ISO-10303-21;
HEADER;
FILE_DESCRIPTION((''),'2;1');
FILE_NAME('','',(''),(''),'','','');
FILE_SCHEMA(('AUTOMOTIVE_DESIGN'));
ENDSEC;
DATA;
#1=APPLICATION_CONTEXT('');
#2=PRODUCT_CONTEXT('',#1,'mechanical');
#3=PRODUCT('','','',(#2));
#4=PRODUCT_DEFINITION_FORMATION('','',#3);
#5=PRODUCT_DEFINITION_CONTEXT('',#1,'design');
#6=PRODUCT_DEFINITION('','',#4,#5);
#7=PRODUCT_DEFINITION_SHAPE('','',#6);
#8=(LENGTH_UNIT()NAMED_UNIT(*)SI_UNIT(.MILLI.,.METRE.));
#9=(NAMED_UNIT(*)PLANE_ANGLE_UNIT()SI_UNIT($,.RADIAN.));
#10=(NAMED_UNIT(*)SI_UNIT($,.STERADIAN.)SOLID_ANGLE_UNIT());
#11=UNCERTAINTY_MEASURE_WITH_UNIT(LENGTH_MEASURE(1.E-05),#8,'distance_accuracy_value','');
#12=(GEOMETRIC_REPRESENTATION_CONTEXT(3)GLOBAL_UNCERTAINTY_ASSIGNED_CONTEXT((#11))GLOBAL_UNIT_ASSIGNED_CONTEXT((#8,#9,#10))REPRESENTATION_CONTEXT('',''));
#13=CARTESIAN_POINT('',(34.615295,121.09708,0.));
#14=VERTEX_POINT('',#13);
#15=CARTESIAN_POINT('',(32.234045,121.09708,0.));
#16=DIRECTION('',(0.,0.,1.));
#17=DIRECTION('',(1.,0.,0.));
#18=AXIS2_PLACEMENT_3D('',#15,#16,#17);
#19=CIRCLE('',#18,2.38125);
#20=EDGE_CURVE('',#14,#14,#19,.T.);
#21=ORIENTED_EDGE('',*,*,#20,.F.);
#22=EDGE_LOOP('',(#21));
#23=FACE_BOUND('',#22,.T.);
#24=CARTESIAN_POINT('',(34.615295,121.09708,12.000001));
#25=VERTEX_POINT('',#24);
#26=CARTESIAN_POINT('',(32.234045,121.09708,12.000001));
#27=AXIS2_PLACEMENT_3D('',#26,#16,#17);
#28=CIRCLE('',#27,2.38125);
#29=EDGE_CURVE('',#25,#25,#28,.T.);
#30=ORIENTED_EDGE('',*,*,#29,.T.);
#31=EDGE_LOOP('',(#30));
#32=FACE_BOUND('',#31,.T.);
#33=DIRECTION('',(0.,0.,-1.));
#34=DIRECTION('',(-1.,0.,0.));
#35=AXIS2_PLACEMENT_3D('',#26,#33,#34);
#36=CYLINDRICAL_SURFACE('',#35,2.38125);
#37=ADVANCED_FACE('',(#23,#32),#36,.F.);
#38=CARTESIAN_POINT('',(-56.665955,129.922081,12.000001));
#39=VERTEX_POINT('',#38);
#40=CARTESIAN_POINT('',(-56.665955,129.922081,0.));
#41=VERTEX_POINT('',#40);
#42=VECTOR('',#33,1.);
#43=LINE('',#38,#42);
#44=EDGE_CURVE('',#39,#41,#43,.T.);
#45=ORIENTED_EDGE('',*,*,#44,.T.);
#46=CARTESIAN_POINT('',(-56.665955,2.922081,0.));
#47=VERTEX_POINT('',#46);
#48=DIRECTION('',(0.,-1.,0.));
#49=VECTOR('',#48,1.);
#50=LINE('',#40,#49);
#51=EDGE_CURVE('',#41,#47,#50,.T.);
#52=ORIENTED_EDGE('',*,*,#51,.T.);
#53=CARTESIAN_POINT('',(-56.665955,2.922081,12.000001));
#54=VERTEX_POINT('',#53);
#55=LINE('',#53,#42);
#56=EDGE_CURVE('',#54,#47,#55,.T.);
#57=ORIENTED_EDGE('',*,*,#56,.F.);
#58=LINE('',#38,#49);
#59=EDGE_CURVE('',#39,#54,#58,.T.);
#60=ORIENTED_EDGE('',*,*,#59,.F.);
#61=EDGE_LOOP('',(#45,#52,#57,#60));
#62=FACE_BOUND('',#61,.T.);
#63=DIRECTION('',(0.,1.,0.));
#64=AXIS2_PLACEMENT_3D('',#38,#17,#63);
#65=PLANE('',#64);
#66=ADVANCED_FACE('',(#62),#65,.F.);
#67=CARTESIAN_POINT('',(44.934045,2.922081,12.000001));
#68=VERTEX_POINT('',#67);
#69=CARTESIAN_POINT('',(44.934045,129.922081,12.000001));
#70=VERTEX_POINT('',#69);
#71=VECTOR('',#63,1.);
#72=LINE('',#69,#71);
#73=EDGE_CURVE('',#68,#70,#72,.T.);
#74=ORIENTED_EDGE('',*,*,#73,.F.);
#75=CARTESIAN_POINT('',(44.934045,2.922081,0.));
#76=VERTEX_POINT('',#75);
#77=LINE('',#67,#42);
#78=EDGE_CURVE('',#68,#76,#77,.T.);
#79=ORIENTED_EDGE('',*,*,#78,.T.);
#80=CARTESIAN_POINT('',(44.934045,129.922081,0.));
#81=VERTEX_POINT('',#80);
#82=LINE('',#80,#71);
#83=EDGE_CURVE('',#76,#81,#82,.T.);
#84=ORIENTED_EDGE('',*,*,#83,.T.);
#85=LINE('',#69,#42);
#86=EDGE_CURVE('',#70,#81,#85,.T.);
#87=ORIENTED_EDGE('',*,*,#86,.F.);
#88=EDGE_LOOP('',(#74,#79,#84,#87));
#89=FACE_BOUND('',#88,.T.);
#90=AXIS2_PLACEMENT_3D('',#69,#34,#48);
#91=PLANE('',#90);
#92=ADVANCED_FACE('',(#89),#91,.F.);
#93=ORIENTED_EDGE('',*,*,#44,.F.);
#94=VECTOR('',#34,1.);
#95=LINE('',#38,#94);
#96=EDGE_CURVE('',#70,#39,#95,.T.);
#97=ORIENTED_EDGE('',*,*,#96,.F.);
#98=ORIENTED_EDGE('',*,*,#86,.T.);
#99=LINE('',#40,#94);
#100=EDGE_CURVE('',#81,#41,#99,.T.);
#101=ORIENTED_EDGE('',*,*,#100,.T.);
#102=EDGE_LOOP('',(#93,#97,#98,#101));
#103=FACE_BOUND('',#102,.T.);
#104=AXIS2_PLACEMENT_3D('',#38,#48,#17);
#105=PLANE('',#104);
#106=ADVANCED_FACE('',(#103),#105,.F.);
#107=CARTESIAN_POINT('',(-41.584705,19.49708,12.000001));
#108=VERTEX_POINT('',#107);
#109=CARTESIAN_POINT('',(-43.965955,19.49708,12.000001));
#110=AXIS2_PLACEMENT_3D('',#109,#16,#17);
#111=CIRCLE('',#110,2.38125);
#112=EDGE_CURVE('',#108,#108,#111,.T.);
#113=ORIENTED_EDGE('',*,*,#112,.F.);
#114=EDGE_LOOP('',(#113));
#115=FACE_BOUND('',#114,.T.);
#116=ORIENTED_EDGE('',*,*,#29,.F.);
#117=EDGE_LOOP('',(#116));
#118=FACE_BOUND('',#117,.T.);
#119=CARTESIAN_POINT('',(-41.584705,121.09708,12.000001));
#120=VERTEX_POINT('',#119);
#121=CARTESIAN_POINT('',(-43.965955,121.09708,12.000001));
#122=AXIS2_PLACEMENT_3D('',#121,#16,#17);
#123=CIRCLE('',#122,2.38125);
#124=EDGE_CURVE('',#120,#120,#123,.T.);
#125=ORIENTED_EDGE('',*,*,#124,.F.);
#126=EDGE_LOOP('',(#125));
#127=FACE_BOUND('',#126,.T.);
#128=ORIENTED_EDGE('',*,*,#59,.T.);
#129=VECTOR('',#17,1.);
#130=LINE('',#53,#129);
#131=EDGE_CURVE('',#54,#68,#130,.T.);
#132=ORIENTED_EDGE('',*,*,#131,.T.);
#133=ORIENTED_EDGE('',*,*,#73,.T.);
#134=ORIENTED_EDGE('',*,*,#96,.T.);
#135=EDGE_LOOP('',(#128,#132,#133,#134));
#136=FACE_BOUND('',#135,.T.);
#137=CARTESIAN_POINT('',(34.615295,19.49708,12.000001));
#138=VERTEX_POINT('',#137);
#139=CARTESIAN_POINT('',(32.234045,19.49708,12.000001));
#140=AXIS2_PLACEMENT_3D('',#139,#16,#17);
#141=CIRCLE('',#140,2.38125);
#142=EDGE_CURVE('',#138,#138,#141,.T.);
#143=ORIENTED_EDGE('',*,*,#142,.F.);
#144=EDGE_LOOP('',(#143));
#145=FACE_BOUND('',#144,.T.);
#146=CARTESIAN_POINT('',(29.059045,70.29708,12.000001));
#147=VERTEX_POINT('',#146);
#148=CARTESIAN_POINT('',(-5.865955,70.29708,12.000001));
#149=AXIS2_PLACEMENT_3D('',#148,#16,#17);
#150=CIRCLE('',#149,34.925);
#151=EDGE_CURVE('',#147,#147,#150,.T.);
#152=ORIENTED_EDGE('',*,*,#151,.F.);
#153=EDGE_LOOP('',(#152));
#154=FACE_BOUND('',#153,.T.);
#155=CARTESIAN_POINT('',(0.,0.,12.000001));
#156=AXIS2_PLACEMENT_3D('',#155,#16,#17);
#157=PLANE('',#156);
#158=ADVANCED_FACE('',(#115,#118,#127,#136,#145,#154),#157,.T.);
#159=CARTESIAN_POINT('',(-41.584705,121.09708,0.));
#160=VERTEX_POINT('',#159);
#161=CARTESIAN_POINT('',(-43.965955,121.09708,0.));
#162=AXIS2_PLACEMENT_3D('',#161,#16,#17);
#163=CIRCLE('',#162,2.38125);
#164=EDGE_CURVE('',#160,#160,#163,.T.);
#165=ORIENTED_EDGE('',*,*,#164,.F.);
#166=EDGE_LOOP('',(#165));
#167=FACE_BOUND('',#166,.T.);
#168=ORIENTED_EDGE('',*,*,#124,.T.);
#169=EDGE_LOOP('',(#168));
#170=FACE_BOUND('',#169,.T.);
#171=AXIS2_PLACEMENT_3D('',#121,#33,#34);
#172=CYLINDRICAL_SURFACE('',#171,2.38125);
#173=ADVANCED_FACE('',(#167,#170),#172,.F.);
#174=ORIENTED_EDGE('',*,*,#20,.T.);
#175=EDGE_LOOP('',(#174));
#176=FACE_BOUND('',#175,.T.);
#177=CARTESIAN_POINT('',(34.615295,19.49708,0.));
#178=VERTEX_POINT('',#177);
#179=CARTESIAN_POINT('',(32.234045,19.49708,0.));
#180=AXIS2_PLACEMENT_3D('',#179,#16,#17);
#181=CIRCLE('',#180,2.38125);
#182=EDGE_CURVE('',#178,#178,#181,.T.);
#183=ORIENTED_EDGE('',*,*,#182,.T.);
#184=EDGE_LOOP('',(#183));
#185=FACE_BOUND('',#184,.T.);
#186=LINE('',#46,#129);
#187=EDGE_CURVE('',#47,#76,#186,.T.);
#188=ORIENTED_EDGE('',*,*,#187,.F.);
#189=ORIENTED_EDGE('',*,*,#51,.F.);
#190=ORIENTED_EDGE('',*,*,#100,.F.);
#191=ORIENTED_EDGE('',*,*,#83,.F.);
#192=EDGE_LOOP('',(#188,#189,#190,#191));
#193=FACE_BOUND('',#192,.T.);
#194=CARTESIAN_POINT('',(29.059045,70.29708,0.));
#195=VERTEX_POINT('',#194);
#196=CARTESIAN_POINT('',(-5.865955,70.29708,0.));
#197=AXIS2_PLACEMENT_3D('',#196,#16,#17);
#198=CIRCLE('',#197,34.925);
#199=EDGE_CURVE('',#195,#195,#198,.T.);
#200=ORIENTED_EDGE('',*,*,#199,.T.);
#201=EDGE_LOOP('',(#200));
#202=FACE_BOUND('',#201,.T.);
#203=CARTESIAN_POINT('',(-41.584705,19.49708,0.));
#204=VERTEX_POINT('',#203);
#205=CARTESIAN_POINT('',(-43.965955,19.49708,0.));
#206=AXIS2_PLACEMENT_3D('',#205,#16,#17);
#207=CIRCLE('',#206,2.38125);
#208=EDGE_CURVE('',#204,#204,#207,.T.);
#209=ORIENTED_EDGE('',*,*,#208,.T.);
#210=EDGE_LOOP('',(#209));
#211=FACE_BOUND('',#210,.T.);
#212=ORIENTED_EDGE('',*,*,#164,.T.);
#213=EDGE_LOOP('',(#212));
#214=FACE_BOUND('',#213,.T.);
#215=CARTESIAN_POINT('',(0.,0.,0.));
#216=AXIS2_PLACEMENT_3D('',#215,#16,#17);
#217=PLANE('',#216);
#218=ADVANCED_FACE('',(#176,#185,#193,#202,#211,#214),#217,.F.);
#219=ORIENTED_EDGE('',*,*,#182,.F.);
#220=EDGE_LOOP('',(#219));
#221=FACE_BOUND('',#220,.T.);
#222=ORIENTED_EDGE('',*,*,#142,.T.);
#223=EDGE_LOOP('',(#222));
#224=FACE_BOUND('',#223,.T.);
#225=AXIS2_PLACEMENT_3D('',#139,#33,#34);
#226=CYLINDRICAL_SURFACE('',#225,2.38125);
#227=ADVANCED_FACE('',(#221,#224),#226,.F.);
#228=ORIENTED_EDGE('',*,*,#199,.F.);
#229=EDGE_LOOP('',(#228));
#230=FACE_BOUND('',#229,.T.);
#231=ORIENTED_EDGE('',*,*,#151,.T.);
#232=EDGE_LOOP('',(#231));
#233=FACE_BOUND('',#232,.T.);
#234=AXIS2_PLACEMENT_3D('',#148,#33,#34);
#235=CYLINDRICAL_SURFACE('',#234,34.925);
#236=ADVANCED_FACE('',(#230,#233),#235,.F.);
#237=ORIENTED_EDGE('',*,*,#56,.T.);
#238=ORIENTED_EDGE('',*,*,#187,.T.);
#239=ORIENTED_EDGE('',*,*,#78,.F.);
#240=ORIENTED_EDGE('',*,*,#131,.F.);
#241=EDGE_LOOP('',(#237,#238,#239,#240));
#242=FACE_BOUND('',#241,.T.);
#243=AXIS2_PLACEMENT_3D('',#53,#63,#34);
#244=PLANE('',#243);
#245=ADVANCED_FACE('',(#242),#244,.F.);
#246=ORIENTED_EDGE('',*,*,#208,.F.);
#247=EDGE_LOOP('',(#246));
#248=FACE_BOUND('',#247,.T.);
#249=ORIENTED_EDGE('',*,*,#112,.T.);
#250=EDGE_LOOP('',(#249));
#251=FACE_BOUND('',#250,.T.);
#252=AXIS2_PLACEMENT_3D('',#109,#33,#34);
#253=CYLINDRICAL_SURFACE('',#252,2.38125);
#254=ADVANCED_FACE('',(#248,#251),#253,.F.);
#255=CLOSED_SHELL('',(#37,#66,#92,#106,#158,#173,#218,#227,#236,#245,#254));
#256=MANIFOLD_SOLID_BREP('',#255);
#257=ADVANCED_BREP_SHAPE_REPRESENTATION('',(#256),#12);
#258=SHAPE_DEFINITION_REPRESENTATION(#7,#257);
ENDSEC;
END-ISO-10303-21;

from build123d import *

# Parameters (mm, degrees)
SKETCH1_W           = 101.6
SKETCH1_H           = 127
SKETCH1_R           = 34.925
SKETCH1_R_2         = 2.38125
BOSS_EXTRUDE1_DEPTH = 12.0000014


with BuildPart() as part:
    # Sketch1 → Boss-Extrude1 (new body)
    with BuildSketch(Plane.XY):
        with Locations((-5.865955003, 66.422081082)):
            Rectangle(SKETCH1_W, SKETCH1_H)
        with Locations((-5.865955003, 70.297079682)):
            Circle(SKETCH1_R, mode=Mode.SUBTRACT)
        with Locations((-43.965955003, 121.097079682)):
            Circle(SKETCH1_R_2, mode=Mode.SUBTRACT)
        with Locations((32.234044997, 121.097079682)):
            Circle(SKETCH1_R_2, mode=Mode.SUBTRACT)
        with Locations((-43.965955003, 19.497079682)):
            Circle(SKETCH1_R_2, mode=Mode.SUBTRACT)
        with Locations((32.234044997, 19.497079682)):
            Circle(SKETCH1_R_2, mode=Mode.SUBTRACT)
    extrude(amount=BOSS_EXTRUDE1_DEPTH)


solid = part.part
